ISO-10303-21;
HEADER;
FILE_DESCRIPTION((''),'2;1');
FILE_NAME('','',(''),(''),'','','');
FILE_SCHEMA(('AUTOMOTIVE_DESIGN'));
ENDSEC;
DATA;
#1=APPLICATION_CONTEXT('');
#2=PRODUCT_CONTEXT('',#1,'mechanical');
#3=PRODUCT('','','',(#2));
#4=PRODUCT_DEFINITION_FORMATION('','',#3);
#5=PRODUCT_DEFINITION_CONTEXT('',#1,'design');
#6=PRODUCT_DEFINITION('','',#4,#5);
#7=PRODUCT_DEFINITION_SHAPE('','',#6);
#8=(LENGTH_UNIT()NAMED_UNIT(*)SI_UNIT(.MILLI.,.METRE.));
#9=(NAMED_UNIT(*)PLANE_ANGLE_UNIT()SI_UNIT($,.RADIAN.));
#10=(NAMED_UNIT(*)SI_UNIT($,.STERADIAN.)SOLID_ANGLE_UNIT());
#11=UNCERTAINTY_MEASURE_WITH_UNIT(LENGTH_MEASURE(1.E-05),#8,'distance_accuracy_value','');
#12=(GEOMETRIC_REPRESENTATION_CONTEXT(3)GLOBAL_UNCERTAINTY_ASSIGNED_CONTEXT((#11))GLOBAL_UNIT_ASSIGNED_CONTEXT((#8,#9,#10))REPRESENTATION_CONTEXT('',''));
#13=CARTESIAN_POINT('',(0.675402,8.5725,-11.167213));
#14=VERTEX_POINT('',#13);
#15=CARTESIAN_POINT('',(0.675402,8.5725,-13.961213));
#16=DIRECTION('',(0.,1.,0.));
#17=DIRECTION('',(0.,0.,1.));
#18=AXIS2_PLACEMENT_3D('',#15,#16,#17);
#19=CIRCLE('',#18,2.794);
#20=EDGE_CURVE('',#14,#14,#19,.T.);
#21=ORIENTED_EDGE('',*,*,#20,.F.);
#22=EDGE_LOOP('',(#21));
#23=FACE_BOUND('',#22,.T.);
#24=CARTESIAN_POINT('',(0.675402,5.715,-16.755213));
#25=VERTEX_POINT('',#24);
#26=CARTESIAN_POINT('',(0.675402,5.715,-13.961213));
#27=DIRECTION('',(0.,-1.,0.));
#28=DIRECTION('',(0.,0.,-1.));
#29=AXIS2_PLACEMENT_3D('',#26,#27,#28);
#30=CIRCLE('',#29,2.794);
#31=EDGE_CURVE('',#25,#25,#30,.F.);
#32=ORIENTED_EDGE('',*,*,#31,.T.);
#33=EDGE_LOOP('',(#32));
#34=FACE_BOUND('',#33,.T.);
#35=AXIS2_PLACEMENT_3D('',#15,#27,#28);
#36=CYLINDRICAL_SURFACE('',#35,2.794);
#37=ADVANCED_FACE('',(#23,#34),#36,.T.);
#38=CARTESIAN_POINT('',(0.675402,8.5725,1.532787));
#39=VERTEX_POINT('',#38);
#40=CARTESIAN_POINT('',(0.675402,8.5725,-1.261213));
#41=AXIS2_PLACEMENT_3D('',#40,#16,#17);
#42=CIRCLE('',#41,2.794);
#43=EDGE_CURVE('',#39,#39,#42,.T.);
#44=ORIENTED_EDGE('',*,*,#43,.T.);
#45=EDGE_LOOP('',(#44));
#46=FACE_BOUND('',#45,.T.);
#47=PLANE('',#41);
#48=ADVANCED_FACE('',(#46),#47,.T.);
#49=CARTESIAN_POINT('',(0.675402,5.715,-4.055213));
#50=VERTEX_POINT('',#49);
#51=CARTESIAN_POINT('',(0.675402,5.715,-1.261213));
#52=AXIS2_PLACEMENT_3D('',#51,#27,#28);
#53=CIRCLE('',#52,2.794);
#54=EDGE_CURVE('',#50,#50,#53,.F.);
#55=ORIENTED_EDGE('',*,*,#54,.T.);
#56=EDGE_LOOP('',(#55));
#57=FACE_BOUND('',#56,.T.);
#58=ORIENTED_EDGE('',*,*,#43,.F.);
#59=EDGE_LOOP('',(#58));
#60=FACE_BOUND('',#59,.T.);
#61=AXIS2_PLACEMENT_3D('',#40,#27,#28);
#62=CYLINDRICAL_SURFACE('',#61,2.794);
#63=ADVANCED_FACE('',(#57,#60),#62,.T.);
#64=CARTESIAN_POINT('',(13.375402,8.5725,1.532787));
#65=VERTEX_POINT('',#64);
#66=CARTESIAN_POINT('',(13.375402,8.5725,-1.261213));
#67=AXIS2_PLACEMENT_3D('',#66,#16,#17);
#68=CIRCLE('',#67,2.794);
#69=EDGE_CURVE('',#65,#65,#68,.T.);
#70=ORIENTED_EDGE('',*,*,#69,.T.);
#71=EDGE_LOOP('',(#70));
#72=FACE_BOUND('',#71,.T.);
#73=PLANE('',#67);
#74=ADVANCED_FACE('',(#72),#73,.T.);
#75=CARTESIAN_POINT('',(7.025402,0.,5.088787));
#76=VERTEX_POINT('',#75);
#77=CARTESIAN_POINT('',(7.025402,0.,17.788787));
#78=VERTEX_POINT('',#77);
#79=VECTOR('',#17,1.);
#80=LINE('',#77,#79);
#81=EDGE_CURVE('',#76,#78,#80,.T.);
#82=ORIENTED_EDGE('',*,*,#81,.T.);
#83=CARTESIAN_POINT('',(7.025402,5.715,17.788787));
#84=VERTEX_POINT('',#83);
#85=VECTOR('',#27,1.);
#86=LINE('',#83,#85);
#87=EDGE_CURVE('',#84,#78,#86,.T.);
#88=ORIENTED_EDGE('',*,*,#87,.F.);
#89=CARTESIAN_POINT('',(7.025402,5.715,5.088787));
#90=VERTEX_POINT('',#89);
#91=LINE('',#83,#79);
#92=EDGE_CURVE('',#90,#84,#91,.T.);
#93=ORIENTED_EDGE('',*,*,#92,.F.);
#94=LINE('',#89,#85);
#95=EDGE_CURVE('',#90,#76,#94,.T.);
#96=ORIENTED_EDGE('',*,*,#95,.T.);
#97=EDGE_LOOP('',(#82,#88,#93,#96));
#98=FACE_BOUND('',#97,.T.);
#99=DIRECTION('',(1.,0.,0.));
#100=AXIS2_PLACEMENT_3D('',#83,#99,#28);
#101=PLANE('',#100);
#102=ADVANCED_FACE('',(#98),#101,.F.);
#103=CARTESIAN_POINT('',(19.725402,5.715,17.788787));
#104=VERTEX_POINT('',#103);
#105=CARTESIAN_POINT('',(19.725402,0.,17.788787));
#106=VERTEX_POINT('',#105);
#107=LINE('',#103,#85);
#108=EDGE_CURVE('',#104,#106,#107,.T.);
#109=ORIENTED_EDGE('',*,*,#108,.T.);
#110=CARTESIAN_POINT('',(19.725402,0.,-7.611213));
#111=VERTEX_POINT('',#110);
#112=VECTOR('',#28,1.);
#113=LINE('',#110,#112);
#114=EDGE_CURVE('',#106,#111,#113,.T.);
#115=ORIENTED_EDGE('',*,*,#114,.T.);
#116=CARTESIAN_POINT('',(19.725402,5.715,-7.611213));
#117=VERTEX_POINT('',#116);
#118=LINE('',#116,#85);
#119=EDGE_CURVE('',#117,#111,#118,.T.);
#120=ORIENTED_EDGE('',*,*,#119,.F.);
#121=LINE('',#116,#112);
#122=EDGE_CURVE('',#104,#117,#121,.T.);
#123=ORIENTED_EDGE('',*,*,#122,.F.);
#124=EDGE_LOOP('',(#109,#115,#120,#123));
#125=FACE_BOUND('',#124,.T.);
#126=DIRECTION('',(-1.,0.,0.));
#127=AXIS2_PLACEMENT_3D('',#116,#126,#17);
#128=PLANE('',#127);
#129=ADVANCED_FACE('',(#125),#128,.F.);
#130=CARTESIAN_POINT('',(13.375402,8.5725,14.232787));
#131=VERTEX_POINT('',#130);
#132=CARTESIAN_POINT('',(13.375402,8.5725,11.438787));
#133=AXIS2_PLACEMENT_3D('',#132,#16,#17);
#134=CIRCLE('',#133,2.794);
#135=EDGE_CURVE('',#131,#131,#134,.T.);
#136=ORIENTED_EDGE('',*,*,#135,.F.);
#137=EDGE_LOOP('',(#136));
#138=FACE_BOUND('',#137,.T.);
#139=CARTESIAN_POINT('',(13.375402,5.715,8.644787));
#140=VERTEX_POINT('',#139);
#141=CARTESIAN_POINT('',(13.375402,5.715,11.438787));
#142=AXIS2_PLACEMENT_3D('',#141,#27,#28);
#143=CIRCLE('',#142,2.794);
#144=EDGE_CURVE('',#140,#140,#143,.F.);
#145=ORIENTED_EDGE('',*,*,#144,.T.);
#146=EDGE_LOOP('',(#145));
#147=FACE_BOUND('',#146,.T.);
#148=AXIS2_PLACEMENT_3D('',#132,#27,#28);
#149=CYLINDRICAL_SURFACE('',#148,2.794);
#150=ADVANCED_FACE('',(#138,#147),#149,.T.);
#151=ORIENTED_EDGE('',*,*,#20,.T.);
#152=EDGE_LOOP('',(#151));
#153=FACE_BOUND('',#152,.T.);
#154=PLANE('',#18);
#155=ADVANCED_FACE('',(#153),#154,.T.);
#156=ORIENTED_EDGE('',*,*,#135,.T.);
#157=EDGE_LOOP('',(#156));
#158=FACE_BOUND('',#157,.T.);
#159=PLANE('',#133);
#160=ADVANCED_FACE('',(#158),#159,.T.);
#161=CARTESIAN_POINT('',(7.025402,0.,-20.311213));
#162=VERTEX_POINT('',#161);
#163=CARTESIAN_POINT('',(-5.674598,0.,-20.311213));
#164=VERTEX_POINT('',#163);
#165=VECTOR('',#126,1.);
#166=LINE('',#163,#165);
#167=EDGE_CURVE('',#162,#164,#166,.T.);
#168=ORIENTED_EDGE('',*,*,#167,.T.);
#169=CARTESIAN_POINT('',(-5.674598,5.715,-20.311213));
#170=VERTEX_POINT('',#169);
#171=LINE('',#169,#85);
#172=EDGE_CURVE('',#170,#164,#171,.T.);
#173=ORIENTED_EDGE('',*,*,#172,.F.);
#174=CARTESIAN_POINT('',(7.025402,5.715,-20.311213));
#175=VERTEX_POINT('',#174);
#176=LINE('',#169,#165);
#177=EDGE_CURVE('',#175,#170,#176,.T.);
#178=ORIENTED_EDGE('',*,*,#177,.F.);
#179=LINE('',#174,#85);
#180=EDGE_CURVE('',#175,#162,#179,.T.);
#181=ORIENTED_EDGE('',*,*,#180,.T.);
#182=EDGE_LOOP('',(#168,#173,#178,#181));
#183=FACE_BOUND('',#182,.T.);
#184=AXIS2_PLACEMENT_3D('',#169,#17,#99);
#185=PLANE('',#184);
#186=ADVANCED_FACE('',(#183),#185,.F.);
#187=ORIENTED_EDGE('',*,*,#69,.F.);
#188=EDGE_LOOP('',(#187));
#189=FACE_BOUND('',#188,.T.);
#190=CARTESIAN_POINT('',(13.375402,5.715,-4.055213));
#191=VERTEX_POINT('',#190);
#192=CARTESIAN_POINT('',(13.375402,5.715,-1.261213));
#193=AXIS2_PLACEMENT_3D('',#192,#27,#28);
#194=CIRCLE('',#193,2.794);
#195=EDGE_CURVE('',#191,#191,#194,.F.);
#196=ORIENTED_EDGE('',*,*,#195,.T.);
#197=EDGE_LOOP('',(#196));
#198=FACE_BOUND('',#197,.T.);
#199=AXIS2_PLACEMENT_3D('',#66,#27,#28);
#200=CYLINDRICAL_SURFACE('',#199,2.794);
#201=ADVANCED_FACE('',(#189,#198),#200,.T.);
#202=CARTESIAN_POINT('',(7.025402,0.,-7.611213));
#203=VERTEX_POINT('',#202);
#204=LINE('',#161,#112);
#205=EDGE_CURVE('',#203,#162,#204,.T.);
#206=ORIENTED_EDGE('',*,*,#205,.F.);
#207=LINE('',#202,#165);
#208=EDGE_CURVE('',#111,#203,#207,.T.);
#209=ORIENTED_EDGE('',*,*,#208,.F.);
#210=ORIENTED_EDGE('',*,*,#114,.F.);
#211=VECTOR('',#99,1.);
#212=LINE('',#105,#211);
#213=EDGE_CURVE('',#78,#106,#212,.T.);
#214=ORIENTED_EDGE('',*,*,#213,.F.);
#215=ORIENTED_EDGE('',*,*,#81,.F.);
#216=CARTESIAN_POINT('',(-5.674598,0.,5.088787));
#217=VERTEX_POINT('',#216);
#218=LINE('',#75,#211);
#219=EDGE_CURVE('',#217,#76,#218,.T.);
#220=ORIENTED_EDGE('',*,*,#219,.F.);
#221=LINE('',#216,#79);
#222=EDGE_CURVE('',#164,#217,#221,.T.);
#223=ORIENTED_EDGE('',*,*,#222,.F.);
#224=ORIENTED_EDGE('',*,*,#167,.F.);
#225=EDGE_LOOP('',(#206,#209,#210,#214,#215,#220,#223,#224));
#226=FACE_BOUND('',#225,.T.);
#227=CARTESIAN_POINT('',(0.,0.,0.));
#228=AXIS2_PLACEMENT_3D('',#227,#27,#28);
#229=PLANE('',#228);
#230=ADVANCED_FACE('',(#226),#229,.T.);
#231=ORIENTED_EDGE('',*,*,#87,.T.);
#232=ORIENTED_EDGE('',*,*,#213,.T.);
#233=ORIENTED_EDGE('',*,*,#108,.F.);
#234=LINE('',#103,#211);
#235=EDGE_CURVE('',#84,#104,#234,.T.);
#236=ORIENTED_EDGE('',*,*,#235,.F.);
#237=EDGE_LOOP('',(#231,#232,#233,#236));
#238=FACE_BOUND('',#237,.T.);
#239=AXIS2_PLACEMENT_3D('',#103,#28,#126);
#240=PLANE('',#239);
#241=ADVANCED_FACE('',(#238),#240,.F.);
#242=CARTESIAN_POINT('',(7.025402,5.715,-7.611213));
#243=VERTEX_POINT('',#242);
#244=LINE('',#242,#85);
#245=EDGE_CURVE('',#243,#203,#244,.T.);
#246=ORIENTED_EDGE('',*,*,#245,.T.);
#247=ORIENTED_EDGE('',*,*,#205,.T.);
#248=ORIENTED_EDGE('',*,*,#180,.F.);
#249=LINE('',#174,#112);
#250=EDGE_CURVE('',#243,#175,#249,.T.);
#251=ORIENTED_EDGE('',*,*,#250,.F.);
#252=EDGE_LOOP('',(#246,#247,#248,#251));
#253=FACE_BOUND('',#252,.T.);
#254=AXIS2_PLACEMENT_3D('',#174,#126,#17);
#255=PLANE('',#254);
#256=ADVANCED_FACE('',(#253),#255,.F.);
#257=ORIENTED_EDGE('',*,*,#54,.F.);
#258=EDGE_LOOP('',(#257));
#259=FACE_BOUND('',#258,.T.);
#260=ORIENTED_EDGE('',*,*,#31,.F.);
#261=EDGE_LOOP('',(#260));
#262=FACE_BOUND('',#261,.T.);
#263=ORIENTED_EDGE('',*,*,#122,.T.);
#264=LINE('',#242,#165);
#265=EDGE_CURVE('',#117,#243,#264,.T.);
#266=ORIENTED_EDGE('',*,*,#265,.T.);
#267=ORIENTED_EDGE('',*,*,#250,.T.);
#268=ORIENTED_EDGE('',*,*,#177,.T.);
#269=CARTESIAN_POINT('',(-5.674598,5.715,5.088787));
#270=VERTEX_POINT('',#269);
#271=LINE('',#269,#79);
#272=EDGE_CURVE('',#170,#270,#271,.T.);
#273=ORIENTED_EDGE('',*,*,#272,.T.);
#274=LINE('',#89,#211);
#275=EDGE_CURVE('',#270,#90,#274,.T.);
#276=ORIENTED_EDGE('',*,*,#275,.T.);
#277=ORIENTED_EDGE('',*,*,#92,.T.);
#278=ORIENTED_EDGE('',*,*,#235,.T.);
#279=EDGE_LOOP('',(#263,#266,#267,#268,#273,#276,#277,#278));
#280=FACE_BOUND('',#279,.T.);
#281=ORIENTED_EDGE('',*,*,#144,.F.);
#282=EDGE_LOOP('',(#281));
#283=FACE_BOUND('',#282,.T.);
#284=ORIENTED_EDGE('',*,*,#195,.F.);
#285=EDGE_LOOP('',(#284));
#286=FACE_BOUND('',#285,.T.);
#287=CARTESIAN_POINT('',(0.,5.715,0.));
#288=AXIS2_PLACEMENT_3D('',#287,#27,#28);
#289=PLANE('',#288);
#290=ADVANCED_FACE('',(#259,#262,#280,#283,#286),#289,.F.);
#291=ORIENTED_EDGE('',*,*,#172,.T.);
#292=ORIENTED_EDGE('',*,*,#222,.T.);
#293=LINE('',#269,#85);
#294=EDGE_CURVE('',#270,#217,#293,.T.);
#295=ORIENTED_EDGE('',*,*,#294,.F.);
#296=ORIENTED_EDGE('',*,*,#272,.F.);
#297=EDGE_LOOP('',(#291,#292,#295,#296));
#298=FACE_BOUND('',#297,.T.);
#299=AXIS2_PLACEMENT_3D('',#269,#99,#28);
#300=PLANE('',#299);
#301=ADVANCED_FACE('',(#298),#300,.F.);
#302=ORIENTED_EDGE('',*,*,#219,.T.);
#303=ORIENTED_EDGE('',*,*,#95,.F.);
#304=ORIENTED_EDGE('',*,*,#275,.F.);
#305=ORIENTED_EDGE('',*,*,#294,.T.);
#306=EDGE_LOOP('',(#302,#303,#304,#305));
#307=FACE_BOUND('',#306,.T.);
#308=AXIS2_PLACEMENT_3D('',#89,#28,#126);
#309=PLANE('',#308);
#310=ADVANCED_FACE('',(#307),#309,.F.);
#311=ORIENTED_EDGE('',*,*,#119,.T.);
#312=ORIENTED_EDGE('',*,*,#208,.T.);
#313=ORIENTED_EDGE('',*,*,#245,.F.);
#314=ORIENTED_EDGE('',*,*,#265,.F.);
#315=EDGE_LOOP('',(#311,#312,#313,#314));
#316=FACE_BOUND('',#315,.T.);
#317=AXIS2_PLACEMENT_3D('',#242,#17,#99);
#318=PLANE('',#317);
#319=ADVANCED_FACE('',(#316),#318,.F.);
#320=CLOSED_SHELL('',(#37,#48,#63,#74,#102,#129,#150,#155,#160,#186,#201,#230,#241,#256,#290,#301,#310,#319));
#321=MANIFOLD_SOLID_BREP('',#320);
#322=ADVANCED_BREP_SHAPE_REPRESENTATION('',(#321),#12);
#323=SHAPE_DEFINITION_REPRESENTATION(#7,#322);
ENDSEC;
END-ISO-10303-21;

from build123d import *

# Parameters (mm, degrees)
BOSS_EXTRUDE1_DEPTH = 5.715
SKETCH2_R           = 2.794
BOSS_EXTRUDE3_DEPTH = 2.8575


with BuildPart() as part:
    # Sketch1 → Boss-Extrude1 (new body)
    with BuildSketch(Plane(origin=(0, 0, 0), x_dir=(1, 0, 0), z_dir=(0, 1, 0))):
        Polygon((-5.674598366, 20.311212687), (7.025401634, 20.311212687), (7.025401634, 7.611212687), (19.725401634, 7.611212687), (19.725401634, -17.788787313), (7.025401634, -17.788787313), (7.025401634, -5.088787313), (-5.674598366, -5.088787313), align=None)
    extrude(amount=BOSS_EXTRUDE1_DEPTH)

    # Sketch2 → Boss-Extrude3 (add)
    with BuildSketch(Plane(origin=(0, 5.715, 0), x_dir=(1, 0, 0), z_dir=(0, 1, 0))):
        with Locations(Location((0.675401634, 1.261212687, 0), (0, 0, 90))):
            Circle(SKETCH2_R)
        with Locations(Location((13.375401634, 1.261212687, 0), (0, 0, 90))):
            Circle(SKETCH2_R)
        with Locations(Location((0.675401634, 13.961212687, 0), (0, 0, 90))):
            Circle(SKETCH2_R)
        with Locations(Location((13.375401634, -11.438787313, 0), (0, 0, 90))):
            Circle(SKETCH2_R)
    extrude(amount=BOSS_EXTRUDE3_DEPTH)


solid = part.part
